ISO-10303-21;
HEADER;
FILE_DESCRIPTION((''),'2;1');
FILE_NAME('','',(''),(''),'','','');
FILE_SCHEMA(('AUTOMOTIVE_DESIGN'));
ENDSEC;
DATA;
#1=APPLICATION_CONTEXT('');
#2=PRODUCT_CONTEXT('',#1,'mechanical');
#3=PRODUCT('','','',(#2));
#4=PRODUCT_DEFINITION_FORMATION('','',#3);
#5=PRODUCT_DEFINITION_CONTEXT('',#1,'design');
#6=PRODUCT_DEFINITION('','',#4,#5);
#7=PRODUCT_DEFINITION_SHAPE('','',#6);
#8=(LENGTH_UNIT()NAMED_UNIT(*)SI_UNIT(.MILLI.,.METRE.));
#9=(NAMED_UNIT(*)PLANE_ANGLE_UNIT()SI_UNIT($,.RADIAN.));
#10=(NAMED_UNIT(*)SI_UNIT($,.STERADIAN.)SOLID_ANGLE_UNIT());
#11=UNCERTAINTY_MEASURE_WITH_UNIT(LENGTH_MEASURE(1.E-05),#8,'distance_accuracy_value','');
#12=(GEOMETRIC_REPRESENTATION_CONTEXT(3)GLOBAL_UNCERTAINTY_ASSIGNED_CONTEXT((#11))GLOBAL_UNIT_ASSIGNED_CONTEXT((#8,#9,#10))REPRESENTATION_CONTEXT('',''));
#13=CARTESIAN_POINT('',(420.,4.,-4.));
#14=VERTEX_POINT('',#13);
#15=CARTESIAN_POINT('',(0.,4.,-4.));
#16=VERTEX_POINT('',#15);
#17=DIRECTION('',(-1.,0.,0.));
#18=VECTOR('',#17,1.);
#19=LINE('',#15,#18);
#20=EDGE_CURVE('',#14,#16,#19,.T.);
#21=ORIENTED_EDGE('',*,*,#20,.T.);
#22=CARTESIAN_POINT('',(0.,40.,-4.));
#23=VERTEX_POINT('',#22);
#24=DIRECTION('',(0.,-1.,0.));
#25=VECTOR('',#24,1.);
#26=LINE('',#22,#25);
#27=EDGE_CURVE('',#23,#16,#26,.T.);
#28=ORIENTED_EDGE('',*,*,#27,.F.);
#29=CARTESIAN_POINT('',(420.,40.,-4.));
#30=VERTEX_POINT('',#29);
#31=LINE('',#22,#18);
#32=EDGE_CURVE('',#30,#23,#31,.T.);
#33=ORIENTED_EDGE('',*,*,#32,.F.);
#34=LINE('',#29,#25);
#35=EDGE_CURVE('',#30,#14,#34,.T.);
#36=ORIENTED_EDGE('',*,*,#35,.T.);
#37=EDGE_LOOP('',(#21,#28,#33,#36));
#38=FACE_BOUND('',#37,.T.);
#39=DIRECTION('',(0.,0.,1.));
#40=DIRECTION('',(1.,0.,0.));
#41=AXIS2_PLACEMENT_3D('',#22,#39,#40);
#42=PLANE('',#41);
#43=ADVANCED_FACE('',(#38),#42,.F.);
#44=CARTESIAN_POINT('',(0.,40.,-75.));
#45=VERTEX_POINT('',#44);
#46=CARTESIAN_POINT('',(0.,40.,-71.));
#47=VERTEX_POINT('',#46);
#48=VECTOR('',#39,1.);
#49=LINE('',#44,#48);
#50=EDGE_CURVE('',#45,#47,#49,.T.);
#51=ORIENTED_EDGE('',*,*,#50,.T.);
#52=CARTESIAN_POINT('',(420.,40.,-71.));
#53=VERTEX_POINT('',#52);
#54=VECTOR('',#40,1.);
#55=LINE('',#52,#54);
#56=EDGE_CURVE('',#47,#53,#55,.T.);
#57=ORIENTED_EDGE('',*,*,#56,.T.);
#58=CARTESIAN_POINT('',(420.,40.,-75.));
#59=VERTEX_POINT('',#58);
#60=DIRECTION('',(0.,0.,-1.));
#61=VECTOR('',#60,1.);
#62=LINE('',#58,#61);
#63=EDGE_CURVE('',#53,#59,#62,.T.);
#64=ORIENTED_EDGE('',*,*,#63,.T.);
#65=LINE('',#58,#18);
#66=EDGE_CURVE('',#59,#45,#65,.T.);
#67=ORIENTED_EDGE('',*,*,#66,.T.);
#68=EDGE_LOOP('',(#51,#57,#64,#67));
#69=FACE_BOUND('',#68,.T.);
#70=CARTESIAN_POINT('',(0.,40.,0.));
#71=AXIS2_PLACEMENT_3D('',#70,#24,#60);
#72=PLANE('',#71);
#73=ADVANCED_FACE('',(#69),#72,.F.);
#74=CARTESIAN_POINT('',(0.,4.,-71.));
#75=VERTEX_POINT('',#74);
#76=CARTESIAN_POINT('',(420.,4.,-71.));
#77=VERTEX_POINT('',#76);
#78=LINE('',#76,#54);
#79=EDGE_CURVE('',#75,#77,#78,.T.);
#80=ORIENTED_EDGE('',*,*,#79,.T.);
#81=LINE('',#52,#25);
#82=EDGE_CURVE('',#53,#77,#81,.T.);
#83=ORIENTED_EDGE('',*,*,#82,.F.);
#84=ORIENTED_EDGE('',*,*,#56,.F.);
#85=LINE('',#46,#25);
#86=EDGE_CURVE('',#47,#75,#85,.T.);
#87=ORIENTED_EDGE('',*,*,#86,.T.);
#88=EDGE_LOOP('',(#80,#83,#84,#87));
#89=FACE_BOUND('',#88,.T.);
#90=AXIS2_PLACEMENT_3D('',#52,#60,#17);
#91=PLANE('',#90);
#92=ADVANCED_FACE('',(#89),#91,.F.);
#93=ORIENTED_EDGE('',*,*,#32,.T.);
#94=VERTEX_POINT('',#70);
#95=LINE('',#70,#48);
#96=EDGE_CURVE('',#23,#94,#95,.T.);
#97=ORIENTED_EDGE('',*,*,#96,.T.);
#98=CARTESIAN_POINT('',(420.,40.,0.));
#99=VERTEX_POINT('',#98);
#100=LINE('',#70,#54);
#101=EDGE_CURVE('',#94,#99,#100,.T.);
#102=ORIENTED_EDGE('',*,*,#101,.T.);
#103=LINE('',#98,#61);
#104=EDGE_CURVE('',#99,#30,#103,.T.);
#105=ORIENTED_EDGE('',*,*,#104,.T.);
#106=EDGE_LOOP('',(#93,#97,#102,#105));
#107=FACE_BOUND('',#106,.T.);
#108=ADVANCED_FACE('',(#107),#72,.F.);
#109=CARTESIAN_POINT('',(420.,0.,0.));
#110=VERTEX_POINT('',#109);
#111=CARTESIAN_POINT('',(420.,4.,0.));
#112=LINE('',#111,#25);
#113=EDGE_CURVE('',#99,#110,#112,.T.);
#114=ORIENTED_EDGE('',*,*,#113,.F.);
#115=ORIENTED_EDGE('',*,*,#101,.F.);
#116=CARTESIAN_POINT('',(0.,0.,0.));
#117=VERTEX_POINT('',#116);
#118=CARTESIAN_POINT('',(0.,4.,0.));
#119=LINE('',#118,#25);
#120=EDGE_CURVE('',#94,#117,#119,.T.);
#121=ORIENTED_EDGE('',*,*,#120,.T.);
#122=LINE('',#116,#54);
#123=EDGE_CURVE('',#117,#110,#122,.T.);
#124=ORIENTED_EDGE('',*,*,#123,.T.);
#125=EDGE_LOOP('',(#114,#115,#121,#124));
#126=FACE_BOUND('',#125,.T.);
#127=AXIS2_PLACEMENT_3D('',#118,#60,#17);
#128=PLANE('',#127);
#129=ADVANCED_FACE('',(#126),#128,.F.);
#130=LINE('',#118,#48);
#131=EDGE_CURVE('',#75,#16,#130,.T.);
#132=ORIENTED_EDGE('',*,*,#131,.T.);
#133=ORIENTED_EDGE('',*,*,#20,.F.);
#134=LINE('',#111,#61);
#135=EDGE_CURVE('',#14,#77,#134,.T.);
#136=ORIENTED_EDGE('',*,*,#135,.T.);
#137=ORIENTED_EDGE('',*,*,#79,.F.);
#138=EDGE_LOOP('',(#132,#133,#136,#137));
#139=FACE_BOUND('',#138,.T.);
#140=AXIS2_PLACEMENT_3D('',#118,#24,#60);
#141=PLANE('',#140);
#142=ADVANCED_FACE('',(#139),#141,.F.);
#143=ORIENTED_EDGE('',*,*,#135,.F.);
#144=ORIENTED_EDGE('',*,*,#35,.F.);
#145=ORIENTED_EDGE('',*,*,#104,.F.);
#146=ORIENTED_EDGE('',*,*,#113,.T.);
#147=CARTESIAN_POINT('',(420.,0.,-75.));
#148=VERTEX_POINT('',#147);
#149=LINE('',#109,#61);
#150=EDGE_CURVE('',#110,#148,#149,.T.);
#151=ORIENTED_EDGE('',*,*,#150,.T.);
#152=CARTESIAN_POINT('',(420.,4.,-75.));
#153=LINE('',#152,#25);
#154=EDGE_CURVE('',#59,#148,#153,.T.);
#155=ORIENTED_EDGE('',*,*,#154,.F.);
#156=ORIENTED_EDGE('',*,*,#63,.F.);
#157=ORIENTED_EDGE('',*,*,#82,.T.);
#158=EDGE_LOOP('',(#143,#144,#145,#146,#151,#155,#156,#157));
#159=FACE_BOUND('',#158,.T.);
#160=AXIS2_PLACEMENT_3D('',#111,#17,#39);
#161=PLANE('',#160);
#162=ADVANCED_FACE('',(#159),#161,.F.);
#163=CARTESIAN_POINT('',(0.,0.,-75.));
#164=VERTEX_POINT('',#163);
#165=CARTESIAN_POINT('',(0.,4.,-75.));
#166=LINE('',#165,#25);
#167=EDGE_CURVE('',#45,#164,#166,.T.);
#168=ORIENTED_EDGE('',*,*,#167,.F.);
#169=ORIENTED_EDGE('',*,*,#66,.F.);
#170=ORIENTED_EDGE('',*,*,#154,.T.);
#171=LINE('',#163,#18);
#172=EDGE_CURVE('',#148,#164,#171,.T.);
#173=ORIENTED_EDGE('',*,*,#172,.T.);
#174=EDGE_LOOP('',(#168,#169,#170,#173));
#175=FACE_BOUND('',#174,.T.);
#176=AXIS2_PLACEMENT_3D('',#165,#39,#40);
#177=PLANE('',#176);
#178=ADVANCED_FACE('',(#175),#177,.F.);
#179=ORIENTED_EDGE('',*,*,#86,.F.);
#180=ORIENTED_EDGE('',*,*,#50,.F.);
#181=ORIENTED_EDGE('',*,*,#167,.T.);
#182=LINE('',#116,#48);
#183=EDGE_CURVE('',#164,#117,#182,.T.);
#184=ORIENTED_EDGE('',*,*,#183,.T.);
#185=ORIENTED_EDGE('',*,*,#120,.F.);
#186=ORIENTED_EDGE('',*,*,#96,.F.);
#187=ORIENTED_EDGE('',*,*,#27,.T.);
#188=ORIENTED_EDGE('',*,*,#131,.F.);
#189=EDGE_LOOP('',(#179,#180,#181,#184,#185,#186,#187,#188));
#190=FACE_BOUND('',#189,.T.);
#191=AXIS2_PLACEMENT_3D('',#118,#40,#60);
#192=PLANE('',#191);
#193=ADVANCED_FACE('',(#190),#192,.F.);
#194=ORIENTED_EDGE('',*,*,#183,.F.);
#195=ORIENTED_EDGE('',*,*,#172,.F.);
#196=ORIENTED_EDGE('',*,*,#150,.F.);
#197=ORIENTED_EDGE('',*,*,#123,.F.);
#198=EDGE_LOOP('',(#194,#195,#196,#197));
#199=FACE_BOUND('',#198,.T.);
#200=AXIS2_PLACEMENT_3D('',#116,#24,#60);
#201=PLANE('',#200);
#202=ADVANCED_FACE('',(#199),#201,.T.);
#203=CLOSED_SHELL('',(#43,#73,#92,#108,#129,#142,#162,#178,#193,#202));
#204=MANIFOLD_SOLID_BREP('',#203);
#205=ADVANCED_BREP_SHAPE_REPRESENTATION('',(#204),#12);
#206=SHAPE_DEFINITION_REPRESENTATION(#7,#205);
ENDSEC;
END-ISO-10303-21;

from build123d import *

# Parameters (mm, degrees)
SKETCH_1_W      = 420
SKETCH_1_H      = 75
EXTRUDE_1_DEPTH = 4
SKETCH_2_W      = 420
SKETCH_2_H      = 4
EXTRUDE_2_DEPTH = 36


with BuildPart() as part:
    # 스케치1 → 보스-돌출1 (new body)
    with BuildSketch(Plane(origin=(0, 0, 0), x_dir=(1, 0, 0), z_dir=(0, 1, 0))):
        with Locations((210, 37.5)):
            Rectangle(SKETCH_1_W, SKETCH_1_H)
    extrude(amount=EXTRUDE_1_DEPTH)

    # 스케치2 → 보스-돌출2 (add)
    with BuildSketch(Plane(origin=(0, 4, 0), x_dir=(1, 0, 0), z_dir=(0, 1, 0))):
        with Locations((210, 2)):
            Rectangle(SKETCH_2_W, SKETCH_2_H)
        with Locations((210, 73)):
            Rectangle(SKETCH_2_W, SKETCH_2_H)
    extrude(amount=EXTRUDE_2_DEPTH)


solid = part.part
